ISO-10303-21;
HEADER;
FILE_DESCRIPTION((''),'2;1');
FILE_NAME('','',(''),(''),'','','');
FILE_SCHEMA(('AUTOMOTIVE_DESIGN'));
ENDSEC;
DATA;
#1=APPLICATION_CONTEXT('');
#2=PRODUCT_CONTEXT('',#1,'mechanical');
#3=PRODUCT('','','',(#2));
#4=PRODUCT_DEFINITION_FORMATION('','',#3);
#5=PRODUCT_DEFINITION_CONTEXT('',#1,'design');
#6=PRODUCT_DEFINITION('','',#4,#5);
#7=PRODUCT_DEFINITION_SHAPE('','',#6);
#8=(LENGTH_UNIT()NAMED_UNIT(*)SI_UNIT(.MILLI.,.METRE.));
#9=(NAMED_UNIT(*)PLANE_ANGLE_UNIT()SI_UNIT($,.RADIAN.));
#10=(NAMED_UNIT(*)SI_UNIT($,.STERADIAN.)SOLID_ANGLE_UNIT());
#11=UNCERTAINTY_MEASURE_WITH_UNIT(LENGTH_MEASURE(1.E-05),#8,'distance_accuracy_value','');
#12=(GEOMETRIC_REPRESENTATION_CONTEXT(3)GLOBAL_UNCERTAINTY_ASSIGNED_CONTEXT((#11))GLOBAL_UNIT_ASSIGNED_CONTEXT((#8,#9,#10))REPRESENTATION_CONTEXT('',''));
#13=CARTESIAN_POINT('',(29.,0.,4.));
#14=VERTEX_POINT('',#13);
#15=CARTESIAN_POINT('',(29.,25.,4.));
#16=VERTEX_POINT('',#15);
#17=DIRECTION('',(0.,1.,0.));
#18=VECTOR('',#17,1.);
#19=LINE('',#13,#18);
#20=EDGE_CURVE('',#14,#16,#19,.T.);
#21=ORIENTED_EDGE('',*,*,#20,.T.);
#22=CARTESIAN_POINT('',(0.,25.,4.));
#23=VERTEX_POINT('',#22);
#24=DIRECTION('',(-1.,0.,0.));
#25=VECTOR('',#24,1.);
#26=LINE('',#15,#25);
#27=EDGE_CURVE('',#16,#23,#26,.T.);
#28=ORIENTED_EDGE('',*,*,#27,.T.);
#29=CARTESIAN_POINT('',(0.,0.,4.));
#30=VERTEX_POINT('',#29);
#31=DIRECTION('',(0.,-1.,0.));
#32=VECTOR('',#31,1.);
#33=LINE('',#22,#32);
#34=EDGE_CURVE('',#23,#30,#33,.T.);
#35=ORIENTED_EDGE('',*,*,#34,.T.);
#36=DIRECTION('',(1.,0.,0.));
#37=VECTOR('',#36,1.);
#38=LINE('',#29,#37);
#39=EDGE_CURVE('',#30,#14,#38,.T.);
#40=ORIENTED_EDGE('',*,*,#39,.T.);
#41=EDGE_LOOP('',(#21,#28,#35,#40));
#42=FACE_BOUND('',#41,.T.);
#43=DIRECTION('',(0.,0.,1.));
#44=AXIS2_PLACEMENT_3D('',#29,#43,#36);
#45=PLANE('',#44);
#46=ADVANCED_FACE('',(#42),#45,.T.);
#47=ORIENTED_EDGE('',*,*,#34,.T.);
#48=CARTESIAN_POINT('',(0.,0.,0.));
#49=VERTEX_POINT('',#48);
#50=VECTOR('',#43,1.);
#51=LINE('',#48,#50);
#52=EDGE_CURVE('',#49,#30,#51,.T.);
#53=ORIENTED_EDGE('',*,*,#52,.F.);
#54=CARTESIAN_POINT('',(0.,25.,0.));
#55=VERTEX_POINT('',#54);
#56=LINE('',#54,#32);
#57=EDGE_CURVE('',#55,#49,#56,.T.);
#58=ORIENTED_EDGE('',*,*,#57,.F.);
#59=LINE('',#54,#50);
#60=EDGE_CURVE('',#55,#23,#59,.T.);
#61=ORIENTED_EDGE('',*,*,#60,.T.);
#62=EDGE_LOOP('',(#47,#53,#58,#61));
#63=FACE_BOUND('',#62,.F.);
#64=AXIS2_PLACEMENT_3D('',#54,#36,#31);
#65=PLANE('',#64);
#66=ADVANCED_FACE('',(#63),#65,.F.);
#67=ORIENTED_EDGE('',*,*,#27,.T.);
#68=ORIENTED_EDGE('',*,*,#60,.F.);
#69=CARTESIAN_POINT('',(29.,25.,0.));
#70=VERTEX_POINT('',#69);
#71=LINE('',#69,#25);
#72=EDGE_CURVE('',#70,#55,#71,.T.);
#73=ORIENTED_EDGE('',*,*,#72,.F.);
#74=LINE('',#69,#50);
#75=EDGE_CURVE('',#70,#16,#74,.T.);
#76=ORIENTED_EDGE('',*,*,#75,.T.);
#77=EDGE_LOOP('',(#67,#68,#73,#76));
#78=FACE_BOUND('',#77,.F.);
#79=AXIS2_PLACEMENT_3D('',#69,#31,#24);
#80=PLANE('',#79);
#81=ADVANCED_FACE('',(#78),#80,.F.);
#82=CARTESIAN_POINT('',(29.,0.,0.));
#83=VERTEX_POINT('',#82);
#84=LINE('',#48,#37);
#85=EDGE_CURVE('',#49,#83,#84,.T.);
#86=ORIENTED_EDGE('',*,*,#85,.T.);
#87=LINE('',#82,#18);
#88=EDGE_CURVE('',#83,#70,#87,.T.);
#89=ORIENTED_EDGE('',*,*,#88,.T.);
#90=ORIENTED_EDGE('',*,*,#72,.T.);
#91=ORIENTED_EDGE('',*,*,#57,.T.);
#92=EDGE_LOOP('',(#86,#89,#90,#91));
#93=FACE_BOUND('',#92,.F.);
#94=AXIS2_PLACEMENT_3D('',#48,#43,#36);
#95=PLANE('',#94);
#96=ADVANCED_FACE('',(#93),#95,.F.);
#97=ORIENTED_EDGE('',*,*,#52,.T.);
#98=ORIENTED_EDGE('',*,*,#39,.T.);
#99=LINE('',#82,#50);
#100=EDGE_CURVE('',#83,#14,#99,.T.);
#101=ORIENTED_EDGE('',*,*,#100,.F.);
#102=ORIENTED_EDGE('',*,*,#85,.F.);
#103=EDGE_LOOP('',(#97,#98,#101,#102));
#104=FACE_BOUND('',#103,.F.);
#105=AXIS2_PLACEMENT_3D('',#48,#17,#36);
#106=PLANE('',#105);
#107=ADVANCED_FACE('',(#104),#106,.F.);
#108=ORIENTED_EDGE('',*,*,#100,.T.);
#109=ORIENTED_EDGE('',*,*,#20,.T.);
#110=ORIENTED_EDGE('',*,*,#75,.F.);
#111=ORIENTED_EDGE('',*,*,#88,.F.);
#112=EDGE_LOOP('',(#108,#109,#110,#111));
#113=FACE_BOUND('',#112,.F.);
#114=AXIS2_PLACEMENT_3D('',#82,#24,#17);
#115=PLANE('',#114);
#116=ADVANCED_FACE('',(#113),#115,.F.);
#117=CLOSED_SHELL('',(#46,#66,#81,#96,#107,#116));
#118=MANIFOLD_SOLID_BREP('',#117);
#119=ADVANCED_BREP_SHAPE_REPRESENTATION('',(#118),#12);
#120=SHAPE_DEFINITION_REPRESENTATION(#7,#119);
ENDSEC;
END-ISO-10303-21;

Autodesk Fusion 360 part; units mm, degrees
sketch "Sketch1" plane through (0, 0, 0) normal (0, 0, 1) x (1, 0, 0)
  line L0 (0, 0) -> (29, 0)
  line L1 (29, 0) -> (29, 25)
  line L2 (29, 25) -> (0, 25)
  line L3 (0, 25) -> (0, 0)
  dimension "d1" = 25
  dimension "d2" = 29
extrude "Extrude1" add sketch "Sketch1" along normal blind 4
